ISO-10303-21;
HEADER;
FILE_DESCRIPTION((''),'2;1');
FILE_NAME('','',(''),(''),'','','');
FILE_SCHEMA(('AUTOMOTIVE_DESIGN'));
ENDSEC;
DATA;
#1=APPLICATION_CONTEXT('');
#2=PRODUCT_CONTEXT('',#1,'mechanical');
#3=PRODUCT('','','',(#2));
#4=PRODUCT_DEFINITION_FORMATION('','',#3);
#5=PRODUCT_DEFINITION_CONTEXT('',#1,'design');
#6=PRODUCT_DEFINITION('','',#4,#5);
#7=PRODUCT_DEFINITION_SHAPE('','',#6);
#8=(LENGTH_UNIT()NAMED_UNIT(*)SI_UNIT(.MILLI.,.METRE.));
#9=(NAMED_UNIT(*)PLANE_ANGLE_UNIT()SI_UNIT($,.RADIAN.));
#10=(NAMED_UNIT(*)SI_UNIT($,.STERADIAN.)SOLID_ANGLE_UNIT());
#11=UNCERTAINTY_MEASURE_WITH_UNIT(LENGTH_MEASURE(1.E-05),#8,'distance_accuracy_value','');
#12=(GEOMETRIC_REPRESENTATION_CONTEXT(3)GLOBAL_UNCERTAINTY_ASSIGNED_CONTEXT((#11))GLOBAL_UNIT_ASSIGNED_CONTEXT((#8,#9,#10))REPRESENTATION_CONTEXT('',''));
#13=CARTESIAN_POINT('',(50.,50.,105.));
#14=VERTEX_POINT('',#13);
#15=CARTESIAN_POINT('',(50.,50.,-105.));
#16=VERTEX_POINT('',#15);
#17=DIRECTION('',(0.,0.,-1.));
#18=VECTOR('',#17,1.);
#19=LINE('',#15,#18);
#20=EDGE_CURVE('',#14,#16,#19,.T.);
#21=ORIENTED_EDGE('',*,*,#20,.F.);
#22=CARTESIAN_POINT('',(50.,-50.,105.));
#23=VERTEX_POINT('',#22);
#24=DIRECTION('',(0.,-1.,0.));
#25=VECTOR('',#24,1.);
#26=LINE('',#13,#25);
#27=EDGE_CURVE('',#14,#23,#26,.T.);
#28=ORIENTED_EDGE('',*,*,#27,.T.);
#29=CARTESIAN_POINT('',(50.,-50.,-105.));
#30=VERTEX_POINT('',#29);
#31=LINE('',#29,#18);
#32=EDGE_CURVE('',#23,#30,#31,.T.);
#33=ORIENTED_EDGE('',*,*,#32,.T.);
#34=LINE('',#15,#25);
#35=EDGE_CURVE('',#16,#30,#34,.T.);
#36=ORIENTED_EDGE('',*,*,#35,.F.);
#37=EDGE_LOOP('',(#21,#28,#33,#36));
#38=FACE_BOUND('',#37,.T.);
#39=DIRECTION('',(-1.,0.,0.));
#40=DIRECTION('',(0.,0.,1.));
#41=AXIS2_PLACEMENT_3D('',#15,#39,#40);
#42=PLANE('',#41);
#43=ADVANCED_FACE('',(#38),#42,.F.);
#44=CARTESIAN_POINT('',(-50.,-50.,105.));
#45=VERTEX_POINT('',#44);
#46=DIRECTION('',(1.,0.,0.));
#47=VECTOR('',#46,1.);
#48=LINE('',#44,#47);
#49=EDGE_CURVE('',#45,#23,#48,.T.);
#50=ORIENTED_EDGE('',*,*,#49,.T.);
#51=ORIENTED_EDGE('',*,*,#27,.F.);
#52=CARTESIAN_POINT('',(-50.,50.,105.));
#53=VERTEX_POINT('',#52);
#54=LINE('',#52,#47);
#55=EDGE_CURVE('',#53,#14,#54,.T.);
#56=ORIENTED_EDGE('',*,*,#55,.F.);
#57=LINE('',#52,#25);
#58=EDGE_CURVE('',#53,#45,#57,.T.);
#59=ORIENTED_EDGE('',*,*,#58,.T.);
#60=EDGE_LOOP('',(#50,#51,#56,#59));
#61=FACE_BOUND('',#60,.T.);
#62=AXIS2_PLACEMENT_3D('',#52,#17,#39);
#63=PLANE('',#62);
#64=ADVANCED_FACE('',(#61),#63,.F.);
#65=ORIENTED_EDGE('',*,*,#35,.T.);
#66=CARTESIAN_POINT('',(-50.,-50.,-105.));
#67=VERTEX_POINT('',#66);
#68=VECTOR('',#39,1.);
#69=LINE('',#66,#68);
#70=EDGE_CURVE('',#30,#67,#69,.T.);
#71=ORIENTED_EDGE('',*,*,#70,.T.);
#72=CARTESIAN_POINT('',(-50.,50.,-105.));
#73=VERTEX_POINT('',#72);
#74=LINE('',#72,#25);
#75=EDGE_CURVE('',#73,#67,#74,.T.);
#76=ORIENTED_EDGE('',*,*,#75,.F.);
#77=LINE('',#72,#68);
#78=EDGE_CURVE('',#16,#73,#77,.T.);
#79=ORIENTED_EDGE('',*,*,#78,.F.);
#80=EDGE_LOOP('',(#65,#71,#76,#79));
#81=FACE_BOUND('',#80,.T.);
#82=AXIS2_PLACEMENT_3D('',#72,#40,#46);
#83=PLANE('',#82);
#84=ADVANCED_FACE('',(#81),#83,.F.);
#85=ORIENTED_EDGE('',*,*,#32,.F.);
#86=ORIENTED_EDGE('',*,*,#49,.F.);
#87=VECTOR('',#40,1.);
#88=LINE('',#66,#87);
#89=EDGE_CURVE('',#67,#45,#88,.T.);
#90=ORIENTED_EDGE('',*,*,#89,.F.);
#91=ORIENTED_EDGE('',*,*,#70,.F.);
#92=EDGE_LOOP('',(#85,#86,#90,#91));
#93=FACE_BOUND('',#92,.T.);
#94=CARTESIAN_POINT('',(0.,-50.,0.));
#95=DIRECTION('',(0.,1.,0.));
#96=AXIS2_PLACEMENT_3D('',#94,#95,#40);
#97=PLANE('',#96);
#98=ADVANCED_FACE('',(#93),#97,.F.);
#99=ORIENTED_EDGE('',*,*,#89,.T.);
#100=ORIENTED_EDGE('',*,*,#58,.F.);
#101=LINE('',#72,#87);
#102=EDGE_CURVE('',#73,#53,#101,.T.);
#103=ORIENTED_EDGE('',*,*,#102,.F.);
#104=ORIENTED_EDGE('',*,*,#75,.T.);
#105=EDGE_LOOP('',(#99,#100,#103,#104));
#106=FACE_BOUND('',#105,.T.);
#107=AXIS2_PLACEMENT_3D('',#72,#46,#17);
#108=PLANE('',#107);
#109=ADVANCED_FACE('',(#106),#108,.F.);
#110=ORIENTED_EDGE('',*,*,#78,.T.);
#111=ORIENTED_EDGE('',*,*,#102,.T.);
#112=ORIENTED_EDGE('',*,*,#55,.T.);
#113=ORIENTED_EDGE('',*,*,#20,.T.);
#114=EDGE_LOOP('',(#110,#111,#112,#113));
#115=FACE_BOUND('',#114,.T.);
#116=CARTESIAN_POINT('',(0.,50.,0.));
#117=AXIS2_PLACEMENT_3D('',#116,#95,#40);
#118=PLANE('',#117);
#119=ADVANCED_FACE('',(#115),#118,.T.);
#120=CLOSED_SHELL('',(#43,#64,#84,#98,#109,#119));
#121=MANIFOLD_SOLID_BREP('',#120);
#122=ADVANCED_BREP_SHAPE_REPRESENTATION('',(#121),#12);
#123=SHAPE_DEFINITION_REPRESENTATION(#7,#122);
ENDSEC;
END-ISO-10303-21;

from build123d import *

# Parameters (mm, degrees)
SKETCH_1_W      = 100
SKETCH_1_H      = 210
EXTRUDE_1_DEPTH = 50


with BuildPart() as part:
    # 草图1 → 凸台-拉伸1 (new, symmetric)
    with BuildSketch(Plane(origin=(0, 0, 0), x_dir=(1, 0, 0), z_dir=(0, 1, 0))):
        Rectangle(SKETCH_1_W, SKETCH_1_H)
    extrude(amount=EXTRUDE_1_DEPTH, both=True)


solid = part.part
